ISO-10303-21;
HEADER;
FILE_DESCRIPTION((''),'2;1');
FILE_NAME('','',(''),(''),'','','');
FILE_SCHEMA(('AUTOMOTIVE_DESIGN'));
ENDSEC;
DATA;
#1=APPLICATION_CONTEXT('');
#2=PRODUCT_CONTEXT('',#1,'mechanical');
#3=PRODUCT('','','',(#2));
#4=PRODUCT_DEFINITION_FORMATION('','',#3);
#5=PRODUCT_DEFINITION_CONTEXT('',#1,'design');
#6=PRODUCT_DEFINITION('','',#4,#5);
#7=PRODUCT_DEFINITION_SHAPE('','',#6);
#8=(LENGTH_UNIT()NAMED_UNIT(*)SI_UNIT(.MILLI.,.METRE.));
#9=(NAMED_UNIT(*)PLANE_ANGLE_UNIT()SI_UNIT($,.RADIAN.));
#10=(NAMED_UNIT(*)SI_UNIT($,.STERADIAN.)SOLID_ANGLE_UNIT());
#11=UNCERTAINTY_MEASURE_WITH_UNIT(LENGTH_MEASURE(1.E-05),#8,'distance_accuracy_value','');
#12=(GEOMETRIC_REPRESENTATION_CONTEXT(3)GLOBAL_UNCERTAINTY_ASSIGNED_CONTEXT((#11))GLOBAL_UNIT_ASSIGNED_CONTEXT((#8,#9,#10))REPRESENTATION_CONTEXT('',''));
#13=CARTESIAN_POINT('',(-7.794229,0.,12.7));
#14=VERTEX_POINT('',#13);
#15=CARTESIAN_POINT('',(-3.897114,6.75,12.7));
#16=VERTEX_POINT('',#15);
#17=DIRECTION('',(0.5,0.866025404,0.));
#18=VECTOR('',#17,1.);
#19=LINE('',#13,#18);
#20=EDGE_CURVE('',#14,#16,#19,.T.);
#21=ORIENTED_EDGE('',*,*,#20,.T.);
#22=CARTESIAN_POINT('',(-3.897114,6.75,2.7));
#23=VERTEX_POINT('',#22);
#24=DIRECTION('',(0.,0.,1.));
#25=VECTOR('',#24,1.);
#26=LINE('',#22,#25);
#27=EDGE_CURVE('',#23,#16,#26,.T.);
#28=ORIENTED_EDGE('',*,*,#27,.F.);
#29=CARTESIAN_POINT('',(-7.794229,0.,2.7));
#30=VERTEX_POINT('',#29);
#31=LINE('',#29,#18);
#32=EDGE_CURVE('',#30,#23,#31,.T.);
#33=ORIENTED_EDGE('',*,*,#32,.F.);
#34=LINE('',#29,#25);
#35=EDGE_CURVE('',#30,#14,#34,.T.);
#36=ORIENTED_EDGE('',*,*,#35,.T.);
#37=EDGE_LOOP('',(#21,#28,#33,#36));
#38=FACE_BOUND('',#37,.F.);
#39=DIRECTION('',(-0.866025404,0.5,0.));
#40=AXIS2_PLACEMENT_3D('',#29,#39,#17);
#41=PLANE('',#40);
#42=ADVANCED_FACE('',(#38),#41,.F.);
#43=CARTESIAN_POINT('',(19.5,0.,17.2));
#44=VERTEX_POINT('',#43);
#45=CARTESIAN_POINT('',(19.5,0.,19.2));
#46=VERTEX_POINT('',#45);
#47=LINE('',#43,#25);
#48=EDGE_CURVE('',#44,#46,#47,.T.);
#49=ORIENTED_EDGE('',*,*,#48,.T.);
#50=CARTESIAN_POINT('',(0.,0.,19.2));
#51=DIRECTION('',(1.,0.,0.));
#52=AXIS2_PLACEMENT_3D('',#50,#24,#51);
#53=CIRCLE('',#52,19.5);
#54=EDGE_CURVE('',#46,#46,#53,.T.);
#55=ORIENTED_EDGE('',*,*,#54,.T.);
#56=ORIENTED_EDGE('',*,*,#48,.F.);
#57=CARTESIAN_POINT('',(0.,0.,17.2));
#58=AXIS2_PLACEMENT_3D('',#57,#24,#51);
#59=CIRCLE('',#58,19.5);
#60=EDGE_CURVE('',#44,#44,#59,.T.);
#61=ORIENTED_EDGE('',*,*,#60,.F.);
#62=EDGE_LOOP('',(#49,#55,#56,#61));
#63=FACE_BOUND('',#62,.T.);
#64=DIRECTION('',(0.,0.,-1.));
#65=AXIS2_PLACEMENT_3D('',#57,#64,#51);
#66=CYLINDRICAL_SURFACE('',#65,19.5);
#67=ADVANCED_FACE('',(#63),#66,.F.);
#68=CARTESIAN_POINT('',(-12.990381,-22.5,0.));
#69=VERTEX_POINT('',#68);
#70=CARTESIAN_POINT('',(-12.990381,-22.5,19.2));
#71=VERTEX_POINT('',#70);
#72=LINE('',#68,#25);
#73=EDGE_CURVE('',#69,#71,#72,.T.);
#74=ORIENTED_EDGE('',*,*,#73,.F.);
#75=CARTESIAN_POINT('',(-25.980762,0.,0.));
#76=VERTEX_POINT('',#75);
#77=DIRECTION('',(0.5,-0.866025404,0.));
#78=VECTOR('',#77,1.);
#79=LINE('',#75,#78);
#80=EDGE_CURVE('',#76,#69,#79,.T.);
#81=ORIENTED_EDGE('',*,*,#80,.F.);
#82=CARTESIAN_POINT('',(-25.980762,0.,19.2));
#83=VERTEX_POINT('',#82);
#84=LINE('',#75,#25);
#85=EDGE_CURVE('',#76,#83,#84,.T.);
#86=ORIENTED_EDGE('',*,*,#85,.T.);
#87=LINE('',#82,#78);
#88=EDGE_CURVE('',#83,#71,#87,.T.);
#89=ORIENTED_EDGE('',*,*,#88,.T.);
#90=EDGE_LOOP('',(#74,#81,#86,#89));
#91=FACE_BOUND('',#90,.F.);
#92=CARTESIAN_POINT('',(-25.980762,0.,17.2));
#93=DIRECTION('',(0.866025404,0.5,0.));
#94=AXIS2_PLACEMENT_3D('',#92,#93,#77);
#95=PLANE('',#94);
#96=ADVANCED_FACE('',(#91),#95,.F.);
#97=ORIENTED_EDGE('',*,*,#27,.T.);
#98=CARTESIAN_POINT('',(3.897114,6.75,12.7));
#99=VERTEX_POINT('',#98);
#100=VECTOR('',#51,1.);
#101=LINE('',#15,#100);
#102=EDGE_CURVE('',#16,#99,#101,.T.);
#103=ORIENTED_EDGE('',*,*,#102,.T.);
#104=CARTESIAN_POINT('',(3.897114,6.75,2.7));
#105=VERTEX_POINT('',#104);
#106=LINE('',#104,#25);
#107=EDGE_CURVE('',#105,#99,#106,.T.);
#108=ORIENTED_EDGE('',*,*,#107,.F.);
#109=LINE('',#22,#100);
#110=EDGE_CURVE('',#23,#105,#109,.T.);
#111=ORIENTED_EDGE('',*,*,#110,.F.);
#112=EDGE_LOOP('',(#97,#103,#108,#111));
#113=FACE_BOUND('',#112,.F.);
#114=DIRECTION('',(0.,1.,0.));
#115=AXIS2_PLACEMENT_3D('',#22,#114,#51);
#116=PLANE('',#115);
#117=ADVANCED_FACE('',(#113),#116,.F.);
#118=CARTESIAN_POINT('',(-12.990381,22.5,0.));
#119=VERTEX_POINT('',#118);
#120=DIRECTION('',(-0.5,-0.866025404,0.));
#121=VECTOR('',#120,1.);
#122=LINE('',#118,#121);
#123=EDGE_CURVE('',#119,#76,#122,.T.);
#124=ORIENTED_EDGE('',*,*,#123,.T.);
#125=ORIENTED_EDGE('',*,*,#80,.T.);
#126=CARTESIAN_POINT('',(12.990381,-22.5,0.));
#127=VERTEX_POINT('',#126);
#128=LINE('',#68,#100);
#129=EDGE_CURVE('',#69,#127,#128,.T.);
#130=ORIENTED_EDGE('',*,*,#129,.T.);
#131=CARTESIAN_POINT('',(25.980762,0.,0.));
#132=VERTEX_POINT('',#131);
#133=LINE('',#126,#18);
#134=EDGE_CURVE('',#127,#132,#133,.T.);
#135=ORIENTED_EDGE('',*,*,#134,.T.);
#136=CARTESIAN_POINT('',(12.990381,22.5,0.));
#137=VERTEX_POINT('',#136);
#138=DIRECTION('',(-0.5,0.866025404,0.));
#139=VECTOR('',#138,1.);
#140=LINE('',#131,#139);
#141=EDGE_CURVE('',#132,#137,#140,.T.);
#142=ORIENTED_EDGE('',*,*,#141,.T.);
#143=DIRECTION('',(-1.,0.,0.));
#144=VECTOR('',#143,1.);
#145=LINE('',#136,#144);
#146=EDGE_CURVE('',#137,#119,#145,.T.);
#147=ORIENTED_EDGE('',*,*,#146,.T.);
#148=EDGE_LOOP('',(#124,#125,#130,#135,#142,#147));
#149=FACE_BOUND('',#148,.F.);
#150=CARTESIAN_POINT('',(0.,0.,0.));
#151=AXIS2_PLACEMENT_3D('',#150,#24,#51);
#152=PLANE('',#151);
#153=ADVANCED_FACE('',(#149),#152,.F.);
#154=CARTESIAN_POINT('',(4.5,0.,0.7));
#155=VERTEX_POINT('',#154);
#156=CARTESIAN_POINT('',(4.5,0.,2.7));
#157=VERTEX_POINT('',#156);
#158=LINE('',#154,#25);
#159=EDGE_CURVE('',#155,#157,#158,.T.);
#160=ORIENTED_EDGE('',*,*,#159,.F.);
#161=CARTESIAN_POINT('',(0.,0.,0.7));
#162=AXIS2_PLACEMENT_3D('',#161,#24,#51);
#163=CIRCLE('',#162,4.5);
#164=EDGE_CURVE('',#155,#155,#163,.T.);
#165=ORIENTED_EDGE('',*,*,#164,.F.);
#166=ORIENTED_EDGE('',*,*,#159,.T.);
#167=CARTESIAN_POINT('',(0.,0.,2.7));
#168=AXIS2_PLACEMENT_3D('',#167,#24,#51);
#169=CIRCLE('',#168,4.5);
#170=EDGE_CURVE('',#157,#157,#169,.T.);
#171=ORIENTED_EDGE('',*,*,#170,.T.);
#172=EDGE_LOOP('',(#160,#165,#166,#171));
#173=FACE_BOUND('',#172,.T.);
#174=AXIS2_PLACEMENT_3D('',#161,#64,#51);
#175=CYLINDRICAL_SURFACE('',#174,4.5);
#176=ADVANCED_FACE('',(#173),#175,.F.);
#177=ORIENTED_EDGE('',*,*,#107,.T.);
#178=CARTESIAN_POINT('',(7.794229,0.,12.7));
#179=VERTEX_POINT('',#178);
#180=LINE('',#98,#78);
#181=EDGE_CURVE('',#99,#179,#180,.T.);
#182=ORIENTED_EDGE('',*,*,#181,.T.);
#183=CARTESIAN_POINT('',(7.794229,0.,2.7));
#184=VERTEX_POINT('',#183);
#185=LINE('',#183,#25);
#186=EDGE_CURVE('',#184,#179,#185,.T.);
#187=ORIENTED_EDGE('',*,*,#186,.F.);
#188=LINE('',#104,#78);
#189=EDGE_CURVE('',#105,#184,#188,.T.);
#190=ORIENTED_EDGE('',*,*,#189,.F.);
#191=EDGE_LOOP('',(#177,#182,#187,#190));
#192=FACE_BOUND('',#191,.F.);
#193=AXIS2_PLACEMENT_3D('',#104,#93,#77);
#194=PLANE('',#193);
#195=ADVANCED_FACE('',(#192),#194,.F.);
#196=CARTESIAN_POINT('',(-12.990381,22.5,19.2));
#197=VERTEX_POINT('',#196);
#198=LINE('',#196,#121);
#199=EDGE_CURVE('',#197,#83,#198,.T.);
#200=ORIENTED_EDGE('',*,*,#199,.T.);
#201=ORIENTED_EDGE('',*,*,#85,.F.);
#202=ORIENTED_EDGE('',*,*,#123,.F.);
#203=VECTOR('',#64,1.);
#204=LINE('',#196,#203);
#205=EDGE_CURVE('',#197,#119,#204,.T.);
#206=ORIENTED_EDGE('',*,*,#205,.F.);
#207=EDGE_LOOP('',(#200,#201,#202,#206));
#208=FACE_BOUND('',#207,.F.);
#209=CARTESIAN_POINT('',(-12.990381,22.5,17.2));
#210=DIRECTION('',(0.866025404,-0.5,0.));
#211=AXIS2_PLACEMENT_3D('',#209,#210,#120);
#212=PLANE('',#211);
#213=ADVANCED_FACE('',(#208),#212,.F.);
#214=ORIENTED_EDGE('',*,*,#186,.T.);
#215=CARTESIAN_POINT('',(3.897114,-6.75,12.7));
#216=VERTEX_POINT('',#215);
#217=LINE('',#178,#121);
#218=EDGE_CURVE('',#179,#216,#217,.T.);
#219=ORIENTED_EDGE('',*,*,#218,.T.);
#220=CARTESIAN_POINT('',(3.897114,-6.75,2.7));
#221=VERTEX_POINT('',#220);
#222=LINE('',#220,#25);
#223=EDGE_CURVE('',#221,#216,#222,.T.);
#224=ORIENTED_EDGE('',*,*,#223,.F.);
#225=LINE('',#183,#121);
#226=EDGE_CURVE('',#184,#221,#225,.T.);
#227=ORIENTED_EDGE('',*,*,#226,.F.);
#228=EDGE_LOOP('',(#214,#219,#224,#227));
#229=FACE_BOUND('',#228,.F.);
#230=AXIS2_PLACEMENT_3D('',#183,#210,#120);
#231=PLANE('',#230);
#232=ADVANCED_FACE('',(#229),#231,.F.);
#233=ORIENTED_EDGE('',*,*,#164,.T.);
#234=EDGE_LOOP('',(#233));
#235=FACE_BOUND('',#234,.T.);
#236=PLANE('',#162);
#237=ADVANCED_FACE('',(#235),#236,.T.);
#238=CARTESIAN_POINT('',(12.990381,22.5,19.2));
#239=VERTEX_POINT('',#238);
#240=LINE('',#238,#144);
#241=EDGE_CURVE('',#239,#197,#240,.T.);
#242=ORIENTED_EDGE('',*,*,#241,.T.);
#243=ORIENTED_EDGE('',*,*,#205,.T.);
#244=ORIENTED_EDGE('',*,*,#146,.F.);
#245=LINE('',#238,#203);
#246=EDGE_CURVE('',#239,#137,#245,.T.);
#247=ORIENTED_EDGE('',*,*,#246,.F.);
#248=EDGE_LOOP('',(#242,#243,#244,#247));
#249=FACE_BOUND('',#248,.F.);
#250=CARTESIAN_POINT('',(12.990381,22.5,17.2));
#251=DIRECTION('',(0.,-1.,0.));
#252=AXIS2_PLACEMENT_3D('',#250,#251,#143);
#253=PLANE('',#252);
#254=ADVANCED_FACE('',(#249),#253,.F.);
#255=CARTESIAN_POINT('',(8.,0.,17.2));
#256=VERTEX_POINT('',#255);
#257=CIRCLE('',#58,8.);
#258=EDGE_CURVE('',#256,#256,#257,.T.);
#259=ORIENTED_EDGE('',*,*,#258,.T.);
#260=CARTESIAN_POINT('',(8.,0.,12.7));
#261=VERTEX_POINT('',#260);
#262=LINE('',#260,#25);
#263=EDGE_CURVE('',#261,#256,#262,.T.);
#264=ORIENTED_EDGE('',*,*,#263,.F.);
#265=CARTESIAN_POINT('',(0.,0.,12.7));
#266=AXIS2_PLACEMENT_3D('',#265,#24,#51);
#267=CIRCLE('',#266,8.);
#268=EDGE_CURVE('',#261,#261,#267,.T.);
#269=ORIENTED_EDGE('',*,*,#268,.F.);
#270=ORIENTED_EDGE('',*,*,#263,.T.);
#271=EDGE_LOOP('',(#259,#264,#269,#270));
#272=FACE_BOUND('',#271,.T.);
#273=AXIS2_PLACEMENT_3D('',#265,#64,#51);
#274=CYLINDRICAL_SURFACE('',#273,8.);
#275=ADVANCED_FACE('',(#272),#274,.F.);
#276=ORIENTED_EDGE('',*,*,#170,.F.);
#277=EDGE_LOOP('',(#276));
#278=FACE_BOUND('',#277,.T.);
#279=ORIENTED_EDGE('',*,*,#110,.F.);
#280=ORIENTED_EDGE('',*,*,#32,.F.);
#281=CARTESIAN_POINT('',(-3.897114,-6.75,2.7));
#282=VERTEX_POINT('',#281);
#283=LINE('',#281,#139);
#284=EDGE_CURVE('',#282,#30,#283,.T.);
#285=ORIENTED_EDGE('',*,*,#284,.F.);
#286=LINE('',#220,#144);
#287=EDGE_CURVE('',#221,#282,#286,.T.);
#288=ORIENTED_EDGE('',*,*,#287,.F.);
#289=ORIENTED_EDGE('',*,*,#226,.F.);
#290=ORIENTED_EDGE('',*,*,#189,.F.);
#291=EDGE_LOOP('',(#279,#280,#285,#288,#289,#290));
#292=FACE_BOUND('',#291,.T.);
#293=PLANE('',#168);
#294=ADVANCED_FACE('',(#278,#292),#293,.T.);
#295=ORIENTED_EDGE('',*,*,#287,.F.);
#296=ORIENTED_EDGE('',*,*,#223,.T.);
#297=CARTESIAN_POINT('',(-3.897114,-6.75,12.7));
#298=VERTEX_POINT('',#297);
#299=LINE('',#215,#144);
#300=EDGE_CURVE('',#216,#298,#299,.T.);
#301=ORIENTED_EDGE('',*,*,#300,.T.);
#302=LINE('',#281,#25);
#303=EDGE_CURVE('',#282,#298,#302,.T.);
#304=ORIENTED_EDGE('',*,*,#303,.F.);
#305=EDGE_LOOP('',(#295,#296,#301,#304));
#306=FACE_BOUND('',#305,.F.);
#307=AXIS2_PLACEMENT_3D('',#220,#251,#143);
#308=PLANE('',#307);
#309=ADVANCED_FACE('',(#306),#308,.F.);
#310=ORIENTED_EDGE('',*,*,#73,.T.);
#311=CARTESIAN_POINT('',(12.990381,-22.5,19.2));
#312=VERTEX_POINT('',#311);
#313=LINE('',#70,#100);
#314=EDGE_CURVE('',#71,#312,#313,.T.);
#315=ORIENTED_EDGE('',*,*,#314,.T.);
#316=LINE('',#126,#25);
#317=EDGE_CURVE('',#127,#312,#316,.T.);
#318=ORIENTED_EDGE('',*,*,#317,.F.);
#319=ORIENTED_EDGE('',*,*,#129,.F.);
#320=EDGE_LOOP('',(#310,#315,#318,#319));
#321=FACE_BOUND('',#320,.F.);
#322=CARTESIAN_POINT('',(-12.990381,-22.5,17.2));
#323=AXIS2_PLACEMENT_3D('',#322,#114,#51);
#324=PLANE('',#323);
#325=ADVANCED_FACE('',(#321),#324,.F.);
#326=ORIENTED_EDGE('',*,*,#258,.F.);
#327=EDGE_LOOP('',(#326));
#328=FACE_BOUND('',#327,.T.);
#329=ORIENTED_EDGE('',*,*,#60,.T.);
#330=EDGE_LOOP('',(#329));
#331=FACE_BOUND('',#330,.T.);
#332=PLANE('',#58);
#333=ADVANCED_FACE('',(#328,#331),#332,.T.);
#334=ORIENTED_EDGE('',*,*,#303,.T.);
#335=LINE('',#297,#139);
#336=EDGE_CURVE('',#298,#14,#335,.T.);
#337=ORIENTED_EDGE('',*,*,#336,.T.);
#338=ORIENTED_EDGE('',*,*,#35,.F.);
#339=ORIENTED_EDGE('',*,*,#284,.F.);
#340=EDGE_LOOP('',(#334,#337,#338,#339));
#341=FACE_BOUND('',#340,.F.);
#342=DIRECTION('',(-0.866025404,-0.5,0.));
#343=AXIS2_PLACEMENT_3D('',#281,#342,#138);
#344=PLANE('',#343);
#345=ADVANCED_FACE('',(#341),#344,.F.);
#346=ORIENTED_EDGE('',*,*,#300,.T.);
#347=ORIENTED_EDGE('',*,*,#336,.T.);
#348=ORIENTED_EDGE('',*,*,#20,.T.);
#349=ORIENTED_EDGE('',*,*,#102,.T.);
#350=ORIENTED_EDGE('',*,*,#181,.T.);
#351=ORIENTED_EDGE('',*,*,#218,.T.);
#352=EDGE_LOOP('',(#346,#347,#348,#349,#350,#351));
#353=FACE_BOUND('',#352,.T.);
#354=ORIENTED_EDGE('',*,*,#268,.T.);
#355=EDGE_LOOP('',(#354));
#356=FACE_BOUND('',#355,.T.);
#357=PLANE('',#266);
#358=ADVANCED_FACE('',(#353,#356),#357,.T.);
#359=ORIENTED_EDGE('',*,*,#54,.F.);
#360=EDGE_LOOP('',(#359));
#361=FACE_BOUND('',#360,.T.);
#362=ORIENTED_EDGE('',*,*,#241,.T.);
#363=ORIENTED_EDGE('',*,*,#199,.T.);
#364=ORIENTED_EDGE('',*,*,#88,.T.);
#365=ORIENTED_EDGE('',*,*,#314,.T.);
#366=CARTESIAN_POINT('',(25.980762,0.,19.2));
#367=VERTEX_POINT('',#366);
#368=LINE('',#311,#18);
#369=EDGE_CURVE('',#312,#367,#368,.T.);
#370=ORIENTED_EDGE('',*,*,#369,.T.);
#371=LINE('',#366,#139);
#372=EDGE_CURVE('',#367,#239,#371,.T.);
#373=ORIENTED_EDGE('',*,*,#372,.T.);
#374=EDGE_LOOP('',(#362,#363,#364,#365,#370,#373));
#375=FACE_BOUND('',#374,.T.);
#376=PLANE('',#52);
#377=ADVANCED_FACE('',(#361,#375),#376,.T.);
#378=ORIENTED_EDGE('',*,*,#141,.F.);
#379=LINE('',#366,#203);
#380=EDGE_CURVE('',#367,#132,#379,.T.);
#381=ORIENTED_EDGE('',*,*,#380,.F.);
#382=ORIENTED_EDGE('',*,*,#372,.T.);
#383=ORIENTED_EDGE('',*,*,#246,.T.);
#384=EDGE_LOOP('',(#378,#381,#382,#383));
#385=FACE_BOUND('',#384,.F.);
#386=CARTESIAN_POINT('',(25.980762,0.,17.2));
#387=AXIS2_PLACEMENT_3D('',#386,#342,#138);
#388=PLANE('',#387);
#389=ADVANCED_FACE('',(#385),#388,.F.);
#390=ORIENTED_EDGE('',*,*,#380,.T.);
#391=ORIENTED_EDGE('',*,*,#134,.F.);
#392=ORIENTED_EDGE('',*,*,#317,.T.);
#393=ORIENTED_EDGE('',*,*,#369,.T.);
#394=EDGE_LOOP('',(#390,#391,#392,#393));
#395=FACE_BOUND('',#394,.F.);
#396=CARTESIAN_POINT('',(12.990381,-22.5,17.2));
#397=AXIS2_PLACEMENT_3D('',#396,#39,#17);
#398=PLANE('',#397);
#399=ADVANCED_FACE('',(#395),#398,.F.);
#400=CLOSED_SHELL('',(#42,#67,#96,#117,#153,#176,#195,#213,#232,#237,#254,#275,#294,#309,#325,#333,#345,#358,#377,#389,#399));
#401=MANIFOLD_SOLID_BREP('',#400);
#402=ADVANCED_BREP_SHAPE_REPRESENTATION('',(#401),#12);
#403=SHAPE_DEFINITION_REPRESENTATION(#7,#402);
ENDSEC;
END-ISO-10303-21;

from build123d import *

# Parameters (mm, degrees)
F1_DEPTH = 0.7
F2_R     = 4.5
F3_DEPTH = 2
F5_DEPTH = 10
F6_R     = 8
F7_DEPTH = 4.5
F8_R     = 19.5
F9_DEPTH = 2


with BuildPart() as f1:
    # F0 (on Top) → F1 (new body)
    with BuildSketch(Plane.XY):
        Polygon((-12.9903810568, -22.5), (12.9903810568, -22.5), (25.9807621135, 0), (12.9903810568, 22.5), (-12.9903810568, 22.5), (-25.9807621135, 0), align=None)
    extrude(amount=F1_DEPTH)

    # F2 (on face) → F3 (join)
    with BuildSketch(Plane.XY.offset(0.7)):
        Polygon((-12.9903810568, 22.5), (-25.9807621135, 0), (-12.9903810568, -22.5), (12.9903810568, -22.5), (25.9807621135, 0), (12.9903810568, 22.5), align=None)
        Circle(F2_R, mode=Mode.SUBTRACT)
    extrude(amount=F3_DEPTH)

    # F4 (on face) → F5 (join)
    with BuildSketch(Plane.XY.offset(2.7)):
        Polygon((12.9903810568, -22.5), (25.9807621135, 0), (12.9903810568, 22.5), (-12.9903810568, 22.5), (-25.9807621135, 0), (-12.9903810568, -22.5), align=None)
        Polygon((7.7942286341, 0), (3.897114317, -6.75), (-3.897114317, -6.75), (-7.7942286341, 0), (-3.897114317, 6.75), (3.897114317, 6.75), align=None, mode=Mode.SUBTRACT)
    extrude(amount=F5_DEPTH)

    # F6 (on face) → F7 (join)
    with BuildSketch(Plane.XY.offset(12.7)):
        Polygon((-12.9903810568, -22.5), (12.9903810568, -22.5), (25.9807621135, 0), (12.9903810568, 22.5), (-12.9903810568, 22.5), (-25.9807621135, 0), align=None)
        Circle(F6_R, mode=Mode.SUBTRACT)
    extrude(amount=F7_DEPTH)

    # F8 (on face) → F9 (join)
    with BuildSketch(Plane.XY.offset(17.2)):
        Polygon((-12.9903810568, 22.5), (-25.9807621135, 0), (-12.9903810568, -22.5), (12.9903810568, -22.5), (25.9807621135, 0), (12.9903810568, 22.5), align=None)
        Circle(F8_R, mode=Mode.SUBTRACT)
    extrude(amount=F9_DEPTH)


solid = f1.part
